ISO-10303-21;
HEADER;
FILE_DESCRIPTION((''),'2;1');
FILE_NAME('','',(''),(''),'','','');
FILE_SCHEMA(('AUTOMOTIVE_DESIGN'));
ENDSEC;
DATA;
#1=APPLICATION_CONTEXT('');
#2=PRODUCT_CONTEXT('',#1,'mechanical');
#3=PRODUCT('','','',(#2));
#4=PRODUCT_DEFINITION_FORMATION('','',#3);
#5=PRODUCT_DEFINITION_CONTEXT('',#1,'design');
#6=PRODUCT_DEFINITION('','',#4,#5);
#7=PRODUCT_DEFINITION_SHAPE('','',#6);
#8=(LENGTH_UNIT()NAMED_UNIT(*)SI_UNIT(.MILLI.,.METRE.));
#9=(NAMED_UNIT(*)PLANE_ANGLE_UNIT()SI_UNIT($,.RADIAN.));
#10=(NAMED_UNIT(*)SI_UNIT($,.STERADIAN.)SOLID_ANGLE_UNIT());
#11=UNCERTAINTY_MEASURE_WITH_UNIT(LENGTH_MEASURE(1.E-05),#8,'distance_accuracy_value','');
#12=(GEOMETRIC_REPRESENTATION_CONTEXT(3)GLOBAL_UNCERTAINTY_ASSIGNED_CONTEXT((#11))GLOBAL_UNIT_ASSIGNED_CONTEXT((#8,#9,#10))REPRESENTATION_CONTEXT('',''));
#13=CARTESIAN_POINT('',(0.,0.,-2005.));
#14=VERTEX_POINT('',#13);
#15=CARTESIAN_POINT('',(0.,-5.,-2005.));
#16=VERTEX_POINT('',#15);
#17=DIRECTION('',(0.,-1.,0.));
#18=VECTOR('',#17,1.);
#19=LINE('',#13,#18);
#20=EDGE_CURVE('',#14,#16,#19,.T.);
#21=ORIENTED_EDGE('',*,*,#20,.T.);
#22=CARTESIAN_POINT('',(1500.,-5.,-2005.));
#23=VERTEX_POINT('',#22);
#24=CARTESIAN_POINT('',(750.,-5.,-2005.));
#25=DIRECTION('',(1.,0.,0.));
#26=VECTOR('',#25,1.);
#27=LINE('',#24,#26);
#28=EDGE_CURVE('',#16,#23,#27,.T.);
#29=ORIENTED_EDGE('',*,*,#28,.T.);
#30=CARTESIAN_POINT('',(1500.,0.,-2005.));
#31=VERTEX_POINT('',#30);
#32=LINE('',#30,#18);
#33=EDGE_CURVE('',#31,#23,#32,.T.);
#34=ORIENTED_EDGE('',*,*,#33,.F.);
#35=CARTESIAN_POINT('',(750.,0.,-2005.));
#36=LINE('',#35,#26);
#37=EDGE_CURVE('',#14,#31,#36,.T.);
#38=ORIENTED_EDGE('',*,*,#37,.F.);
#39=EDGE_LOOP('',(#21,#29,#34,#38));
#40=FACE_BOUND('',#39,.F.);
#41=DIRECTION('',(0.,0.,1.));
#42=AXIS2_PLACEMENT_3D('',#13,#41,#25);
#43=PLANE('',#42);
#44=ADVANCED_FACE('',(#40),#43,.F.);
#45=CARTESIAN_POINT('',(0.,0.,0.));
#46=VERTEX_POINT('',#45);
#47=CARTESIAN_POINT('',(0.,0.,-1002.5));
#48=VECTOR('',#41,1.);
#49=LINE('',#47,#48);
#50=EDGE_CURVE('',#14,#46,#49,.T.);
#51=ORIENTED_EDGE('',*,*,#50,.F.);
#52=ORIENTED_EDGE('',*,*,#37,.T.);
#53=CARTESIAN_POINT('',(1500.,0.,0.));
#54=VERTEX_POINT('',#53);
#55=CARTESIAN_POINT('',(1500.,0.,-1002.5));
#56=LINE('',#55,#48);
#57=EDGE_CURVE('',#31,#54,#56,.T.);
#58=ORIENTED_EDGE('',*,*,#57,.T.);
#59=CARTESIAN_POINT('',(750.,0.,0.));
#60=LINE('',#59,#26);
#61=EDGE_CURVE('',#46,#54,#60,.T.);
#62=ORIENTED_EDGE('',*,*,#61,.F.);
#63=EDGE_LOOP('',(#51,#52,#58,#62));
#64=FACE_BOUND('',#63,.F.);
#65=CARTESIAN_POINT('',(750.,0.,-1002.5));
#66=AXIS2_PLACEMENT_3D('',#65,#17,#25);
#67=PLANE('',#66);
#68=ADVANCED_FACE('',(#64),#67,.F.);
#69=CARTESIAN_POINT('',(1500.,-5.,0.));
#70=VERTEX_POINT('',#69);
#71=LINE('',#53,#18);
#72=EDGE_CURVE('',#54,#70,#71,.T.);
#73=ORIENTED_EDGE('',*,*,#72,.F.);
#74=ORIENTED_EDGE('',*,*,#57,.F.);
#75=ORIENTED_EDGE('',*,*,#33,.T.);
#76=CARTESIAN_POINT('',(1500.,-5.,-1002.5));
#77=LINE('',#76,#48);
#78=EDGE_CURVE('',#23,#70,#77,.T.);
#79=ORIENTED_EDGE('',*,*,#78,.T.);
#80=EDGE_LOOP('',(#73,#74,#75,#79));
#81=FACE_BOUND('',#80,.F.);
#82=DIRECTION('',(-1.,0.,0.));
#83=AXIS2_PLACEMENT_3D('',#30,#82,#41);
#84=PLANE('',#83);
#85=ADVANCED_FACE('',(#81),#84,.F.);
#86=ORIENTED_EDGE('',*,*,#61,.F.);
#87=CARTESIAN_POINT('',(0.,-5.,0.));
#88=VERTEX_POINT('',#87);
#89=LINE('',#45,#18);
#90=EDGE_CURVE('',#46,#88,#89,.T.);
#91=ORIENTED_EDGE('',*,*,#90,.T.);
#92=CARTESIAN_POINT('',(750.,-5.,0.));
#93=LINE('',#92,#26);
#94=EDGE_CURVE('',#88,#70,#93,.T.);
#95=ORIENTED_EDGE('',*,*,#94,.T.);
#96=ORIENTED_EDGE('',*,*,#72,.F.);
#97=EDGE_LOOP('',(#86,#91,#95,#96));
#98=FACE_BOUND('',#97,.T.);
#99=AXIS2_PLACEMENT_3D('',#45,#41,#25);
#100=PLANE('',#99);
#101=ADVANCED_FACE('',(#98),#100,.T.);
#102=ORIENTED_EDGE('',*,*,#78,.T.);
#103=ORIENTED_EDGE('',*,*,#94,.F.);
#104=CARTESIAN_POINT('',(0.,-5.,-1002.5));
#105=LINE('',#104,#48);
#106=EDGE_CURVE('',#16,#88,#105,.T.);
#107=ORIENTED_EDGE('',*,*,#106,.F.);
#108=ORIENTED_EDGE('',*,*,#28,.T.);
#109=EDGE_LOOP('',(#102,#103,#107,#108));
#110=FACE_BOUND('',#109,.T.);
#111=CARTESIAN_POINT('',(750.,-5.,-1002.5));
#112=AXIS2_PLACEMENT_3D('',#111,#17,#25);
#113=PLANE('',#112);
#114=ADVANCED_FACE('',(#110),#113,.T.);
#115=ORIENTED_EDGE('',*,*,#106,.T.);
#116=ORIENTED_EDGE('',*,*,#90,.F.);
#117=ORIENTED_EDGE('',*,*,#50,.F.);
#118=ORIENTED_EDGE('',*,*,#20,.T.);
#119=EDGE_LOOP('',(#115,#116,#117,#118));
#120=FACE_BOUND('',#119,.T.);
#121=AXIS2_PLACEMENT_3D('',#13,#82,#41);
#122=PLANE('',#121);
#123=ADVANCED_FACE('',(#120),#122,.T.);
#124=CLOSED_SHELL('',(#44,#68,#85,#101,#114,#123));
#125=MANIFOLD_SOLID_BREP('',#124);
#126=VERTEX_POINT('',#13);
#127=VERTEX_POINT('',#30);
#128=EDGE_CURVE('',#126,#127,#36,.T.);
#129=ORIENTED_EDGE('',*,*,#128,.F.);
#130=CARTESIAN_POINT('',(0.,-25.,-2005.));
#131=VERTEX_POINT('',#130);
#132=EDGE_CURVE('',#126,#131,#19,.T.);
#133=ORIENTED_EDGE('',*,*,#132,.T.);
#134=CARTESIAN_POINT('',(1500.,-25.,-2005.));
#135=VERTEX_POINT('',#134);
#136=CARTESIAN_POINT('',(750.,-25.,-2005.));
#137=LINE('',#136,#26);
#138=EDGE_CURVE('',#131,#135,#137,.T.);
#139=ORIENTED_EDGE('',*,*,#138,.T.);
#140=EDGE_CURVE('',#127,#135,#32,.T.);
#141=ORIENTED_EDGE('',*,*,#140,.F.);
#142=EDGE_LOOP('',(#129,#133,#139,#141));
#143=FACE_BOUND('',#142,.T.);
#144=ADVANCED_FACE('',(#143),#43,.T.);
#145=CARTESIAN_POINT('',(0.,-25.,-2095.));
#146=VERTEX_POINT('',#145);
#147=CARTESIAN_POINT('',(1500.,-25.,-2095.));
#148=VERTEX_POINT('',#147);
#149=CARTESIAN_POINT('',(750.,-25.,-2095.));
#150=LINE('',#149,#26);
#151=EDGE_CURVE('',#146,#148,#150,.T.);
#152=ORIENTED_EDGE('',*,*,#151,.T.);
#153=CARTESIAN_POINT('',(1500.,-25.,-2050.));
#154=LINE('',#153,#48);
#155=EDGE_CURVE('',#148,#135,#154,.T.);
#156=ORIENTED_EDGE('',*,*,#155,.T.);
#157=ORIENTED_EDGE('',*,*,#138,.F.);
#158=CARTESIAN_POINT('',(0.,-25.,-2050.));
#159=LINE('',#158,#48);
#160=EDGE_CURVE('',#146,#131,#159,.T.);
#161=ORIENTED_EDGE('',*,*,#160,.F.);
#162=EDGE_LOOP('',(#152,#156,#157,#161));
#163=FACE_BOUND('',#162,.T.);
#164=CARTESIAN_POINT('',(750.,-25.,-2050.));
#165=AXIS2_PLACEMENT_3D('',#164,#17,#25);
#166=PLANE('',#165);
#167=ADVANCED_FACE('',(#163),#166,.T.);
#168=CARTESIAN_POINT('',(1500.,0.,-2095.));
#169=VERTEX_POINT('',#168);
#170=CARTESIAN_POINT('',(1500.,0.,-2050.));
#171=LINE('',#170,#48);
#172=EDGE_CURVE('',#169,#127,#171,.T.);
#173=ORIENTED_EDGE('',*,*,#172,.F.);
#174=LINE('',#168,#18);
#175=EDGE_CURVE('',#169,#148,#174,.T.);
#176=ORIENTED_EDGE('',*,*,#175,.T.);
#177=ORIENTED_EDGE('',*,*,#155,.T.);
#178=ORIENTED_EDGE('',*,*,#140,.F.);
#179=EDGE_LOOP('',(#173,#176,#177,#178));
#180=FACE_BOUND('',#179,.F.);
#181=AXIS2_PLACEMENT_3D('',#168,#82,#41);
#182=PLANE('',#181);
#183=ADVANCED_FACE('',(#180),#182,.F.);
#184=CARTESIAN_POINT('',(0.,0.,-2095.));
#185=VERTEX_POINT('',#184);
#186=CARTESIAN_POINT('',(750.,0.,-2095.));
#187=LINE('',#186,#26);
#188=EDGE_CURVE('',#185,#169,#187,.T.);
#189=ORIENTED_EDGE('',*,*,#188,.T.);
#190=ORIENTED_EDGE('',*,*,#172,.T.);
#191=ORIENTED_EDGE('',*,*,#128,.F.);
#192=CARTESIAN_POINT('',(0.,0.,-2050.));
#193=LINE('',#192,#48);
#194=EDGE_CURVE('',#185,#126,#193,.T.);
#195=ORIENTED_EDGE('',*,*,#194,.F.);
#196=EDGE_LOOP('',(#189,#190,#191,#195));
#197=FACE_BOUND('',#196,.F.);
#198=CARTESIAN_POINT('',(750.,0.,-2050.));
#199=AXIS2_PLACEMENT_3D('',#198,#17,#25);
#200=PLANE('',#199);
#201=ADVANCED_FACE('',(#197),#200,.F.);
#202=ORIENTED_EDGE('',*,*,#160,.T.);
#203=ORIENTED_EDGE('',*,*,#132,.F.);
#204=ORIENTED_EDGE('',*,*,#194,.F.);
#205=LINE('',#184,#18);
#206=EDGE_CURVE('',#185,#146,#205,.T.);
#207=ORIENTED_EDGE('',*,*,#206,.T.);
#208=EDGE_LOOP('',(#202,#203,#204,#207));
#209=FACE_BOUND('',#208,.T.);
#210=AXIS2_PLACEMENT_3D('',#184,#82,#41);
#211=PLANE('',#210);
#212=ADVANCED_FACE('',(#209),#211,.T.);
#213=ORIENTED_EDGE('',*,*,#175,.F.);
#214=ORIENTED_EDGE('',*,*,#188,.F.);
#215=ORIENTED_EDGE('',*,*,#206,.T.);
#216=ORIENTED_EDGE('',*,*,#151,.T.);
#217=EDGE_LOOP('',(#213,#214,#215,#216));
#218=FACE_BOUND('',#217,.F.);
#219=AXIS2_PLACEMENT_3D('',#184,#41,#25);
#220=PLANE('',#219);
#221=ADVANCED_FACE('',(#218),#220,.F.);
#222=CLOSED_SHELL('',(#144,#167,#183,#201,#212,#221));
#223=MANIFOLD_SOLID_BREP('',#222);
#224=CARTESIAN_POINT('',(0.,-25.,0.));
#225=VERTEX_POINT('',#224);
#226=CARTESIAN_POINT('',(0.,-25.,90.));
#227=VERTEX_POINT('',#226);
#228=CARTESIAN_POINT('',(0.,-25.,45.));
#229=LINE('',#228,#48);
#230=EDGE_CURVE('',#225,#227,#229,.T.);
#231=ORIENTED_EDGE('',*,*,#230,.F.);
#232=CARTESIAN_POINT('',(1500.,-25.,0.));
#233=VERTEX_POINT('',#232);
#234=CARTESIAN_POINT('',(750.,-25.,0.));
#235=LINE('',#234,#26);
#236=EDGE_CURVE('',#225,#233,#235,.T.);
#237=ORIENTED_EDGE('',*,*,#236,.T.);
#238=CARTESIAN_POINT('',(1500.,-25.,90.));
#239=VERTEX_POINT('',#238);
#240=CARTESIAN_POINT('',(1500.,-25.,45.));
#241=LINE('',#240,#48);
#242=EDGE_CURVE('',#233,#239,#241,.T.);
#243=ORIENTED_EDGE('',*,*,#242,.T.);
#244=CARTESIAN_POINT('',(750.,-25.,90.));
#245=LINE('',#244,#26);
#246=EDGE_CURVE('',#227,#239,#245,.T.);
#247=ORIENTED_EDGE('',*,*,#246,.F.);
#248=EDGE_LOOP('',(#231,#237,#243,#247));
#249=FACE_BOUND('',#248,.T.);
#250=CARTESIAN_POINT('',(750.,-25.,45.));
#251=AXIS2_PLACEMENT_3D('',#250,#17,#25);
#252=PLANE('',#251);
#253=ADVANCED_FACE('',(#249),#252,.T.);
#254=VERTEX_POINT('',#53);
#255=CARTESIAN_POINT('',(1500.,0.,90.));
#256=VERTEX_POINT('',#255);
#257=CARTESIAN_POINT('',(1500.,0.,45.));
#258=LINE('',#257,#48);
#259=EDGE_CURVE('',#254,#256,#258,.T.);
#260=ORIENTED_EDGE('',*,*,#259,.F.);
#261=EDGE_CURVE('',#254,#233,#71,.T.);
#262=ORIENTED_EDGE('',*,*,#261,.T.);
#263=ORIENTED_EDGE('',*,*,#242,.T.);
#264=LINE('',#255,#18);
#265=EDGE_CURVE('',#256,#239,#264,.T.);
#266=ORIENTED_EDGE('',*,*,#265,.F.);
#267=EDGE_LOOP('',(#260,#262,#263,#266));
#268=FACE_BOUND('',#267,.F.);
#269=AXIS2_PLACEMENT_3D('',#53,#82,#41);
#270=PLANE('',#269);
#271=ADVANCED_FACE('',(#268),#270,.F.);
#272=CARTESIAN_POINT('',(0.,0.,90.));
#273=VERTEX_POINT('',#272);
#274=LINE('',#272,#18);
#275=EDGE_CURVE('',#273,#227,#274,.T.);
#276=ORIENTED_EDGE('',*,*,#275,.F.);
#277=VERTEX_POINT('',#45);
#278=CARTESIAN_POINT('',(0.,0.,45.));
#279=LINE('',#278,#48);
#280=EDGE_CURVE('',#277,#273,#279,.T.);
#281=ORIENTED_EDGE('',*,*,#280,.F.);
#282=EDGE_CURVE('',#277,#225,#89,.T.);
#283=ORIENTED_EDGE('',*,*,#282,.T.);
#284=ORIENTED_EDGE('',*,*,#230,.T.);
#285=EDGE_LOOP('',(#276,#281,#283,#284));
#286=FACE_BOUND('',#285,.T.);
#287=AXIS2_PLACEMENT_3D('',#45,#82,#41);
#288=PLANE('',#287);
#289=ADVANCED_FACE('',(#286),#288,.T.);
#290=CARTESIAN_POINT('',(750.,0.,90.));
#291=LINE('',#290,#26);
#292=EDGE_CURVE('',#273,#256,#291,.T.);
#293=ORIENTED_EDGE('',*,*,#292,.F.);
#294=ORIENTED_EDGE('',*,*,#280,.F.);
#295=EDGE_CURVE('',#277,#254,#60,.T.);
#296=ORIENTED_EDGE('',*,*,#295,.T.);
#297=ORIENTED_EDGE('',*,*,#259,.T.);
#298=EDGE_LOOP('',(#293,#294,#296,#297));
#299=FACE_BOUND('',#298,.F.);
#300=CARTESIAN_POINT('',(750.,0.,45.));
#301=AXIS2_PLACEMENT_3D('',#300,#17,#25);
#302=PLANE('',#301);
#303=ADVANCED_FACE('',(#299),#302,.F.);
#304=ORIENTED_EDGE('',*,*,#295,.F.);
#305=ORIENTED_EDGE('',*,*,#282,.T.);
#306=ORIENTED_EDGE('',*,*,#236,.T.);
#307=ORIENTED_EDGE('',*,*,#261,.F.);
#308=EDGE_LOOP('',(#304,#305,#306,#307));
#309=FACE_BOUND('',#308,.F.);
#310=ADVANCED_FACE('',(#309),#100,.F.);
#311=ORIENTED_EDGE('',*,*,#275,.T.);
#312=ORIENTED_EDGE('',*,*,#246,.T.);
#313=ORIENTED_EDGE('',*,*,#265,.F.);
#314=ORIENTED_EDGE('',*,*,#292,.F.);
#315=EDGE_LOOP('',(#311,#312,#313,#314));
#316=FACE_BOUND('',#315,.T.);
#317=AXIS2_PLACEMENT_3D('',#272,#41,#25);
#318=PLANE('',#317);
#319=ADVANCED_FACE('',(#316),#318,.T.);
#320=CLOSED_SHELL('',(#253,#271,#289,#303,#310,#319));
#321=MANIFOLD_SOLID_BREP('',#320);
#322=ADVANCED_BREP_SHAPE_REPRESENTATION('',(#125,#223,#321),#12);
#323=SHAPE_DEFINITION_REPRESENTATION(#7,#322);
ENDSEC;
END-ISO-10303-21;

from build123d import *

# Parameters (mm, degrees)
F0_W     = 1500
F0_H     = 90
F1_DEPTH = 25
F0_H_2   = 2005
F2_DEPTH = 5


with BuildPart() as f1:
    # F0 (on Front) → F1 (new body)
    with BuildSketch(Plane.XZ):
        with Locations((750, 45)):
            Rectangle(F0_W, F0_H)
        with Locations((750, -2050)):
            Rectangle(F0_W, F0_H)
    extrude(amount=F1_DEPTH)


with BuildPart() as f2:
    # F0 (on Front) → F2 (new body)
    with BuildSketch(Plane.XZ):
        with Locations((750, -1002.5)):
            Rectangle(F0_W, F0_H_2)
    extrude(amount=F2_DEPTH)


solid = Compound([f1.part, f2.part])
